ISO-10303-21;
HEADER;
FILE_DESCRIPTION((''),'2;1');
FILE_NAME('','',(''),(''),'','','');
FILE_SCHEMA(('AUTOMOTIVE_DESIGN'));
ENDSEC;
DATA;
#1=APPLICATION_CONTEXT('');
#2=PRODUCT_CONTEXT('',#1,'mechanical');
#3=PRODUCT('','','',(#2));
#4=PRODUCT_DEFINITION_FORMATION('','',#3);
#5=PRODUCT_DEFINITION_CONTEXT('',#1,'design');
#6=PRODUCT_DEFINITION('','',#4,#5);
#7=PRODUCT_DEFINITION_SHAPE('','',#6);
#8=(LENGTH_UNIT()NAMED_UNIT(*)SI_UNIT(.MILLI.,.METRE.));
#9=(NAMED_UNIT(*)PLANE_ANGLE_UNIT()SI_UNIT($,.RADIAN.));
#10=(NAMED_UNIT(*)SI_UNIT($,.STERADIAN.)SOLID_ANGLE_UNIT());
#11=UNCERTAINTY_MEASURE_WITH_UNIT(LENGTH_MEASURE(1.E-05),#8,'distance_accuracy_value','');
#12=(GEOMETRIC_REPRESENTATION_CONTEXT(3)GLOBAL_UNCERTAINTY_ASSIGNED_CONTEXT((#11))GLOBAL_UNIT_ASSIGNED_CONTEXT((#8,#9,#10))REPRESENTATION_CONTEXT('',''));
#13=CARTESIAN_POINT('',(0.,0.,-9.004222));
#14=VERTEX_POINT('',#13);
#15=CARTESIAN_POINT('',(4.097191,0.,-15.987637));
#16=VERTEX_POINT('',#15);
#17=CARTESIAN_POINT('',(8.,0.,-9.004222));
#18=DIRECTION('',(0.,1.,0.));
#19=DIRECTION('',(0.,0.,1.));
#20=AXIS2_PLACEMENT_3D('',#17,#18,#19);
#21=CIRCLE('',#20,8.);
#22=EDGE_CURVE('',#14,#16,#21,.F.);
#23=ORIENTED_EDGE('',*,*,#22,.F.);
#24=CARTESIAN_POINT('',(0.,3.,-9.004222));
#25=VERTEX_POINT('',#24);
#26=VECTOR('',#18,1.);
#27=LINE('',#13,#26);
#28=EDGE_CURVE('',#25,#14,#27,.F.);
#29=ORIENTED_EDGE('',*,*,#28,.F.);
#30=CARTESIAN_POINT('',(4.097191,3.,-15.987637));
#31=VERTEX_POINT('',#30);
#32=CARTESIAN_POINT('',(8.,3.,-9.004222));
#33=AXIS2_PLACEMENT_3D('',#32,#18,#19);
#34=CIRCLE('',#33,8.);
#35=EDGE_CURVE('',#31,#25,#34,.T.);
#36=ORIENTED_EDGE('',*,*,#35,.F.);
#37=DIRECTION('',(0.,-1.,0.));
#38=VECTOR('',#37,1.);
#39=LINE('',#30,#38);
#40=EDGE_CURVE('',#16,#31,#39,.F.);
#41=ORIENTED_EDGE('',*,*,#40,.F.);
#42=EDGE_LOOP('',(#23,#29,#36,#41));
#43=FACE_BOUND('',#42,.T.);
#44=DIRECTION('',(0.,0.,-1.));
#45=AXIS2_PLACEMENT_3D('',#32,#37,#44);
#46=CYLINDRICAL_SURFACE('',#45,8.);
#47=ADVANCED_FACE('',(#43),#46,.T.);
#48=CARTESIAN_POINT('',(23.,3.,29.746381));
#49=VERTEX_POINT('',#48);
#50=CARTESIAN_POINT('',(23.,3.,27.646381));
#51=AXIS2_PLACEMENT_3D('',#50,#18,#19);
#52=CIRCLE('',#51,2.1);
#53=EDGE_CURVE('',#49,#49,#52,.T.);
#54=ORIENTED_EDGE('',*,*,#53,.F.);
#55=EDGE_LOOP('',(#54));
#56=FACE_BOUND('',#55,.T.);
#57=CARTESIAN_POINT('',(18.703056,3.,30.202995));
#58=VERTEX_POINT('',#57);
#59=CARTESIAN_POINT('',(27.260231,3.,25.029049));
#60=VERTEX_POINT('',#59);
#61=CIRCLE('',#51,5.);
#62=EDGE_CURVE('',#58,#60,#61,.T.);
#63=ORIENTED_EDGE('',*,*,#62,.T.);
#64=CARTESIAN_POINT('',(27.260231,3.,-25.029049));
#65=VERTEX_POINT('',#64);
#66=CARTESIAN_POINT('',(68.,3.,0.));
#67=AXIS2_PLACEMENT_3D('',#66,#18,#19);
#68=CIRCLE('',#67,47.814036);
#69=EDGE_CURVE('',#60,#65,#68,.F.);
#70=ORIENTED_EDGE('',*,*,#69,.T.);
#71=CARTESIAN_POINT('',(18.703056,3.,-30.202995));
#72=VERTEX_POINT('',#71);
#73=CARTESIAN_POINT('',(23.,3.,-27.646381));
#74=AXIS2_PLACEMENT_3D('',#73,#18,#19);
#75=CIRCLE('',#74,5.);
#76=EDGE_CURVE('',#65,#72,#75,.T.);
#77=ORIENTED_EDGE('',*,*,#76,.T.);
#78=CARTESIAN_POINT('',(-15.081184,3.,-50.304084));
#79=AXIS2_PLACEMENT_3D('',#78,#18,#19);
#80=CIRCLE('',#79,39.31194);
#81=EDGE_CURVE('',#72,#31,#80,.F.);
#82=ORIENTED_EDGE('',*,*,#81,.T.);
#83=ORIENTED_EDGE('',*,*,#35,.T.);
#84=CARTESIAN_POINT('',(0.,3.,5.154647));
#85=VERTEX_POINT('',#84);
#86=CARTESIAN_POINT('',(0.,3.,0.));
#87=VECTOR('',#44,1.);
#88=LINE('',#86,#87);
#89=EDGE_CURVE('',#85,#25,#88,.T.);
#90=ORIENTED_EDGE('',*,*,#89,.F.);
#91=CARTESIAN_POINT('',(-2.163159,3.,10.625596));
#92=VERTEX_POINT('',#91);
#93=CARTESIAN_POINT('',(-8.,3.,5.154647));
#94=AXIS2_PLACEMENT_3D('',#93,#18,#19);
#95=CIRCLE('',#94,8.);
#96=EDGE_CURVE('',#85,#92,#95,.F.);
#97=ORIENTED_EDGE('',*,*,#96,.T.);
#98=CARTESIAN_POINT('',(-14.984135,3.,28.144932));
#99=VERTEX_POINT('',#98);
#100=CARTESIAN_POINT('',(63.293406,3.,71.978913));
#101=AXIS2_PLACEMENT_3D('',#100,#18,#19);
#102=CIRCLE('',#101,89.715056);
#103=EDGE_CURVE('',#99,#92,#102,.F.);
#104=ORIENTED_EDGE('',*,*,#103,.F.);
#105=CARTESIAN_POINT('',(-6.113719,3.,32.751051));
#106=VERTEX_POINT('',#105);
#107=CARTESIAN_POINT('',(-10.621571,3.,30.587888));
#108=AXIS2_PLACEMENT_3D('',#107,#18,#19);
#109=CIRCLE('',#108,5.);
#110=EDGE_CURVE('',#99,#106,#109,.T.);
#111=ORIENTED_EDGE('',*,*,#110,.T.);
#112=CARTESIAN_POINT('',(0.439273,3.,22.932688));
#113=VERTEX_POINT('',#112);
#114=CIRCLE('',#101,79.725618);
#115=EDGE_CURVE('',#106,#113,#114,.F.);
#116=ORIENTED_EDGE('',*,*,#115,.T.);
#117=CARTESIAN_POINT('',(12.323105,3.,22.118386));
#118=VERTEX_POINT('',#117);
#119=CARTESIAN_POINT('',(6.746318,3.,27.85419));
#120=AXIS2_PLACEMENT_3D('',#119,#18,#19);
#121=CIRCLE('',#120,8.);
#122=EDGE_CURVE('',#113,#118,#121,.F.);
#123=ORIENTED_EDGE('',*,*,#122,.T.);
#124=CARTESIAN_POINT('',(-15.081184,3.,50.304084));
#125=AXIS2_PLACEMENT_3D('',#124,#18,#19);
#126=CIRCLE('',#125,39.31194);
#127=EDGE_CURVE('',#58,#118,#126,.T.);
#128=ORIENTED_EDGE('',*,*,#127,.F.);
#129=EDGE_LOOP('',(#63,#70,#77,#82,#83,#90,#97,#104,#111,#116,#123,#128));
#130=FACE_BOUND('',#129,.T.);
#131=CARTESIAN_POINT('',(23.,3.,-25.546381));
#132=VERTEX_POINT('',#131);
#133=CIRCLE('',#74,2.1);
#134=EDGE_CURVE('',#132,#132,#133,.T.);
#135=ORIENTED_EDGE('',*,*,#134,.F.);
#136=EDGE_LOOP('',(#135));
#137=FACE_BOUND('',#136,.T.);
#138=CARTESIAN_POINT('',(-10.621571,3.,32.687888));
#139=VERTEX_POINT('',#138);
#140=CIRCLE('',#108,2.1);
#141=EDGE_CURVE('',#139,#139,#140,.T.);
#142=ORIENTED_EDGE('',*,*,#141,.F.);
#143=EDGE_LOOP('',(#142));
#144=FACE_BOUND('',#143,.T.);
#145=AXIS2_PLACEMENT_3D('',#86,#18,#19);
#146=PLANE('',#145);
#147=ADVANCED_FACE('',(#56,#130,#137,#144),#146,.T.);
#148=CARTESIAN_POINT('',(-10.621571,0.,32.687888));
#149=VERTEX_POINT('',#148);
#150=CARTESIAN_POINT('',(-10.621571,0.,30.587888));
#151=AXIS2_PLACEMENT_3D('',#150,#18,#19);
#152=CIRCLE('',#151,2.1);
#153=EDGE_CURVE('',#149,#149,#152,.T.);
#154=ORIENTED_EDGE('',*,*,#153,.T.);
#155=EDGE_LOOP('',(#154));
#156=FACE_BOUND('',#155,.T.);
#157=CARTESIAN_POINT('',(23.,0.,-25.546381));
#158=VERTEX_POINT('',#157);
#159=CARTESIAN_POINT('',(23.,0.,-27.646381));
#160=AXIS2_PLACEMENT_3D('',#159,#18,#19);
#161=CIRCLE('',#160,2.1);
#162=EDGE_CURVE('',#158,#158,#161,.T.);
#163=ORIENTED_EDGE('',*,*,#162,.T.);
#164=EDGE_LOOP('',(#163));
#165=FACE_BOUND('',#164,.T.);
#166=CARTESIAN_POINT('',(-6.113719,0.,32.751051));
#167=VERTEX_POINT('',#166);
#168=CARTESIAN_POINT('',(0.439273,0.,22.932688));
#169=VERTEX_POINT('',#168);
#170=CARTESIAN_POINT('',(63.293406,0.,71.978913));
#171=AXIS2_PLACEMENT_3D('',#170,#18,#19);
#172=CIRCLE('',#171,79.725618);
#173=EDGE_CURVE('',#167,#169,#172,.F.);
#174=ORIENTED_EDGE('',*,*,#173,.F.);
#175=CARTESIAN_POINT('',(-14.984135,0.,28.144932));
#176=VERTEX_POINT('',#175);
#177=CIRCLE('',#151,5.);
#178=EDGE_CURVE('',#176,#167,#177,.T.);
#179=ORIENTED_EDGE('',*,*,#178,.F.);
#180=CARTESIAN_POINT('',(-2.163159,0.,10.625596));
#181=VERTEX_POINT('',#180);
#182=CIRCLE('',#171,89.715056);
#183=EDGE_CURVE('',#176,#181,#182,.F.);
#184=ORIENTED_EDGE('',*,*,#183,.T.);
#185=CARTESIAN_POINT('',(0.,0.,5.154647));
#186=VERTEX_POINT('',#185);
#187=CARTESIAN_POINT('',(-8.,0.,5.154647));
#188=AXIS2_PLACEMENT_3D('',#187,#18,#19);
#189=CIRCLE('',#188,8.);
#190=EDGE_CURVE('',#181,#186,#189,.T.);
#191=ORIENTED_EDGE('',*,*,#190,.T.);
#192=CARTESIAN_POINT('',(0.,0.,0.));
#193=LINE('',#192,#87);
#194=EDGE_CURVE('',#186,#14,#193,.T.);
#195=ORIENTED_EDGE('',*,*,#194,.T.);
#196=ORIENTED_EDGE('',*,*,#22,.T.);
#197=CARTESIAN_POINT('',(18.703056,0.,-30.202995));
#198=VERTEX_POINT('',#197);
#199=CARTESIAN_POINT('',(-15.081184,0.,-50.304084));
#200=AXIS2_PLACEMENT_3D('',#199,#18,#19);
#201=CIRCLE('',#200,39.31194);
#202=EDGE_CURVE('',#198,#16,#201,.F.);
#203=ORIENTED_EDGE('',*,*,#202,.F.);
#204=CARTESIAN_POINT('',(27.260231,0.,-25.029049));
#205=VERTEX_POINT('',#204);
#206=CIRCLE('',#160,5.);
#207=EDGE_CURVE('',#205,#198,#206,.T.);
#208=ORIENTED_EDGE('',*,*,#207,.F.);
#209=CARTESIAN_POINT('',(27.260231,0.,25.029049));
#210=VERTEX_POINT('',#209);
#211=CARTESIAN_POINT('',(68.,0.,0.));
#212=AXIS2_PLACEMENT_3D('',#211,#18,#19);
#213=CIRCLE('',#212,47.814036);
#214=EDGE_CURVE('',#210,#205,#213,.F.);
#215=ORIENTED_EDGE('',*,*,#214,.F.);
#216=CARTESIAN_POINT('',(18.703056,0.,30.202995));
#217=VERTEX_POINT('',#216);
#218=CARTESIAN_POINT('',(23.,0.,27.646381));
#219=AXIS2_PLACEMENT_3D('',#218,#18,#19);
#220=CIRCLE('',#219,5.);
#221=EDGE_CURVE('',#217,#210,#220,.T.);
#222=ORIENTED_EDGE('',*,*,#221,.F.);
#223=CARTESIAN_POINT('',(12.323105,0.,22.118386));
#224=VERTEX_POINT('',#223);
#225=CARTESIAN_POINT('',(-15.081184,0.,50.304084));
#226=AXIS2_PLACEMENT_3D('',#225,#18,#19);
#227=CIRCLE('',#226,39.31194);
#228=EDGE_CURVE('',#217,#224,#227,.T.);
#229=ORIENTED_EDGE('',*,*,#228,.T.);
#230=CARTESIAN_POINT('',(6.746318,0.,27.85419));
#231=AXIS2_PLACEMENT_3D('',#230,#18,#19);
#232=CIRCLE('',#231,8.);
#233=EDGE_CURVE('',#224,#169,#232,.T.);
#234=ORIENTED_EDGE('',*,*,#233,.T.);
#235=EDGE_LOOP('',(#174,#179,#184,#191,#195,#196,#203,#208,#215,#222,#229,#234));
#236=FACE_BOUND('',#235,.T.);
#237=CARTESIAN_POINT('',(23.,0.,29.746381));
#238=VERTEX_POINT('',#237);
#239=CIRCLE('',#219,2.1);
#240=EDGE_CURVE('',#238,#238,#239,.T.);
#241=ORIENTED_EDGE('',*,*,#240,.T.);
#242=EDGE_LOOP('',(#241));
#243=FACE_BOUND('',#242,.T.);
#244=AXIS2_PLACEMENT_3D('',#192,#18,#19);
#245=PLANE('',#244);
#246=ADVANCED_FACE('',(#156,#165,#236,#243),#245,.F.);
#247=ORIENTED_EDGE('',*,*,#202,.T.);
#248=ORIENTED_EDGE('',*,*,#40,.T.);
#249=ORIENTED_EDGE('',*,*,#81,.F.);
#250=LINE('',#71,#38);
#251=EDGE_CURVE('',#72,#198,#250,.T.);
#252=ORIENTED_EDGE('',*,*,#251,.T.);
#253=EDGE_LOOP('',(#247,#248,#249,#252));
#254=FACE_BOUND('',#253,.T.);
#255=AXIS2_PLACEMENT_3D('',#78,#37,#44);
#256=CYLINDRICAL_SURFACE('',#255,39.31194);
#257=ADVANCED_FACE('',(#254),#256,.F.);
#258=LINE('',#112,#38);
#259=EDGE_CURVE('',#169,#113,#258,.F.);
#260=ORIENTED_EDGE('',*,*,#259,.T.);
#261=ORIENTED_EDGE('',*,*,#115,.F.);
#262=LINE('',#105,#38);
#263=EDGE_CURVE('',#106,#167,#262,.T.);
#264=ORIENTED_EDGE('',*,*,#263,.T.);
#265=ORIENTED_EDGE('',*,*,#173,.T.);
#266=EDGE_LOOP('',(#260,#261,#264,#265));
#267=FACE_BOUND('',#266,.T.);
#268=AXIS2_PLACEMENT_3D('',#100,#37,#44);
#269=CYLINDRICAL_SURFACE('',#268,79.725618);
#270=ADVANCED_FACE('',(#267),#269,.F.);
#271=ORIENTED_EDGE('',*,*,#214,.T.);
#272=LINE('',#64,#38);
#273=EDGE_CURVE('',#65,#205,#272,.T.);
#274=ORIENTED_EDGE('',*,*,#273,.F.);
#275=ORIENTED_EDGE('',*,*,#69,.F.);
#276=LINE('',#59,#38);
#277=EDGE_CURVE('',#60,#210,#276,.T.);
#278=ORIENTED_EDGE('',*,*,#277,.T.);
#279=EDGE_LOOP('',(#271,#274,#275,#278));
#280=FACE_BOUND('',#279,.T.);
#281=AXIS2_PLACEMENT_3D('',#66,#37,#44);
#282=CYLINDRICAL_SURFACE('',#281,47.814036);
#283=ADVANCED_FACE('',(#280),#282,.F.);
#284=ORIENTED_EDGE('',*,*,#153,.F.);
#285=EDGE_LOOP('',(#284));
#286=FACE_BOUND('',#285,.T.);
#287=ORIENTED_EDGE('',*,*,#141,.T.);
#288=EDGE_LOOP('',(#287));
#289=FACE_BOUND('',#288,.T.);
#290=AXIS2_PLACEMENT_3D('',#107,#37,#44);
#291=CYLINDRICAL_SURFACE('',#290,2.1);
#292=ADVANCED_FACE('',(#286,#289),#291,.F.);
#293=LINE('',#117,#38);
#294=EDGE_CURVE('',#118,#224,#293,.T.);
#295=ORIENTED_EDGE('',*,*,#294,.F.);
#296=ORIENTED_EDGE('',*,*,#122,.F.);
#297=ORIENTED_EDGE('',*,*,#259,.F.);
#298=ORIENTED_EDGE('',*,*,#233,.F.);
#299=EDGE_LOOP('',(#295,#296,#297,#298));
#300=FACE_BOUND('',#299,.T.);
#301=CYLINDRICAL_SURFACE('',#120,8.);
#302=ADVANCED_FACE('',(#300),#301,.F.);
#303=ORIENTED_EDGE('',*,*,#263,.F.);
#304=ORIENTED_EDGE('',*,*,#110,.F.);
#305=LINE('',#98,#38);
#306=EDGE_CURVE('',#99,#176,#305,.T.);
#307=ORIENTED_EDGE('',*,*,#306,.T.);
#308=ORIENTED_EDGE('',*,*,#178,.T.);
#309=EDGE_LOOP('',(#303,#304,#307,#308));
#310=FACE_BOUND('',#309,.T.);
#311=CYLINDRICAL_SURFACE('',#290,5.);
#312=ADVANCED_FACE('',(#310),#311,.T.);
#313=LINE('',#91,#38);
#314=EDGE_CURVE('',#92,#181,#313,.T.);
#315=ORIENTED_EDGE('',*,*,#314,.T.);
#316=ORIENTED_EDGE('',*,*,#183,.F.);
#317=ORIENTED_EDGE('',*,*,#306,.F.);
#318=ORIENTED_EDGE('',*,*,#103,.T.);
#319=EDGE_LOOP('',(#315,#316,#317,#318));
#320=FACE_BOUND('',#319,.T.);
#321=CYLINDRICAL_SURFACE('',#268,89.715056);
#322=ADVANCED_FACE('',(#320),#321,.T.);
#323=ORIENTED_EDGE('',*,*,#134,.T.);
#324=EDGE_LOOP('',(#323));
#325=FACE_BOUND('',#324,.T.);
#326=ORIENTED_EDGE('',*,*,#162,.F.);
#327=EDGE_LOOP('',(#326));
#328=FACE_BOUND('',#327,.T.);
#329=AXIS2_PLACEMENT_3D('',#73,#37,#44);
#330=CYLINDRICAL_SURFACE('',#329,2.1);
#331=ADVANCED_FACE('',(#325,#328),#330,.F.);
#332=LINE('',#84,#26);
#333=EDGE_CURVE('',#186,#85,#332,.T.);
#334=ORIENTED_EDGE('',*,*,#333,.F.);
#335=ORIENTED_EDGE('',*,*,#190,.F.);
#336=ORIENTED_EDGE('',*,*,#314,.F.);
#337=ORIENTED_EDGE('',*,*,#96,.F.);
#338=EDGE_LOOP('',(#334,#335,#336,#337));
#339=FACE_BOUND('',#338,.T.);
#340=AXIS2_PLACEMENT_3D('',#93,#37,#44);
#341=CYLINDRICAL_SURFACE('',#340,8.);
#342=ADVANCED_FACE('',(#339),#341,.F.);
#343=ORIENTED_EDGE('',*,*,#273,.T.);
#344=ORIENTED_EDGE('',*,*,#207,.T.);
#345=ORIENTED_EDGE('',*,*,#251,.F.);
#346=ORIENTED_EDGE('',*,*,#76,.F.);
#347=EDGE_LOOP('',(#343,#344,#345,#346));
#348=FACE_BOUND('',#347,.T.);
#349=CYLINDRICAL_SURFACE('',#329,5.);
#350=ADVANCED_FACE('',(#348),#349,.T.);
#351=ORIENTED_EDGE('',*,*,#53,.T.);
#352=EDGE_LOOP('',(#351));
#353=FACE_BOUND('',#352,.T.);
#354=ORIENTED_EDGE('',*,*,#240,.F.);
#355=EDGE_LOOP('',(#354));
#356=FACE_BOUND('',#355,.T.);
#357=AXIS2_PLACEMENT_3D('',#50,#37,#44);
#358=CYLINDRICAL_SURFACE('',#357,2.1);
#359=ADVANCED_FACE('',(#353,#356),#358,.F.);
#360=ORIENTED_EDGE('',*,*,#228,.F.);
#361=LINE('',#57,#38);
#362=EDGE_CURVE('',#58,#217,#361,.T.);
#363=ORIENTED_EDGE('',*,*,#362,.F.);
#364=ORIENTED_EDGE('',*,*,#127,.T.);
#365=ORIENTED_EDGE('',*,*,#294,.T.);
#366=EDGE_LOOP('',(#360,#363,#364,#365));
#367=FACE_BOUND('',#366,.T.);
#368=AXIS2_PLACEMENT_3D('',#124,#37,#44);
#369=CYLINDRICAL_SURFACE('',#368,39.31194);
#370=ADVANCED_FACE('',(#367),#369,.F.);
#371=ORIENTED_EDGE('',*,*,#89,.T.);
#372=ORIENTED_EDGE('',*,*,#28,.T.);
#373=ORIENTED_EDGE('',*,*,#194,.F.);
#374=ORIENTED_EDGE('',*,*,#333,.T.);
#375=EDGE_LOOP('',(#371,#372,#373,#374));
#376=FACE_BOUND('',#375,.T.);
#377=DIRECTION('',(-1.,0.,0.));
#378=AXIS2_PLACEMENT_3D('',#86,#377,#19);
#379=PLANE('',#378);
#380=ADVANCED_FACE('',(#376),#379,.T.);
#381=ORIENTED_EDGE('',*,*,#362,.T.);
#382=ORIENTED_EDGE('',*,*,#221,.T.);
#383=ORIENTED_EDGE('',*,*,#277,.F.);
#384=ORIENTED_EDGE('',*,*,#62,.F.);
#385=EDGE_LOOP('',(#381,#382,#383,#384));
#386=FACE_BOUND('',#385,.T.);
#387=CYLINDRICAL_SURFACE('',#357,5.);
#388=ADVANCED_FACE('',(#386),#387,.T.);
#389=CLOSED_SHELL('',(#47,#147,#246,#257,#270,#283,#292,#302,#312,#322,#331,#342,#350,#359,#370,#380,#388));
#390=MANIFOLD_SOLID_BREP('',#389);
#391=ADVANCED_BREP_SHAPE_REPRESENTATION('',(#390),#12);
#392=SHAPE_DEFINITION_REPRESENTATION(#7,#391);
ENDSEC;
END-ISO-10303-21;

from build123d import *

# Parameters (mm, degrees)
SKETCH1_R           = 2.1
BOSS_EXTRUDE1_DEPTH = 3
FILLET1_R           = 8


with BuildPart() as part:
    # Sketch1 → Boss-Extrude1 (new body)
    with BuildSketch(Plane(origin=(0, 0, 0), x_dir=(1, 0, 0), z_dir=(0, 1, 0))):
        with BuildLine():
            ThreePointArc((-6.113719472, -32.751050787), (-0.724273586, -24.461432648), (5.649824002, -16.902677739))
            ThreePointArc((5.649824002, -16.902677739), (12.975948477, -22.768180875), (18.703056171, -30.202995218))
            ThreePointArc((18.703056171, -30.202995218), (25.587038372, -31.925076677), (27.260231116, -25.029048724))
            ThreePointArc((27.260231116, -25.029048724), (20.185963894, 0), (27.260231116, 25.029048724))
            ThreePointArc((27.260231116, 25.029048724), (25.587038372, 31.925076677), (18.703056171, 30.202995218))
            ThreePointArc((18.703056171, 30.202995218), (10.659672329, 20.591511651), (0, 14))
            Line((0, 14), (0, -8.396398763))
            ThreePointArc((0, -8.396398763), (-8.177458209, -17.750627647), (-14.984135407, -28.14493216))
            ThreePointArc((-14.984135407, -28.14493216), (-12.92577576, -35.025301553), (-6.113719472, -32.751050787))
        make_face()
        with Locations(Location((-10.621571061, -30.587887812, 0), (0, 0, 270))):
            Circle(SKETCH1_R, mode=Mode.SUBTRACT)
        with Locations(Location((23, -27.646381495, 0), (0, 0, 270))):
            Circle(SKETCH1_R, mode=Mode.SUBTRACT)
        with Locations(Location((23, 27.646381495, 0), (0, 0, 270))):
            Circle(SKETCH1_R, mode=Mode.SUBTRACT)
    extrude(amount=BOSS_EXTRUDE1_DEPTH)

    # Fillet1
    fillet1_edges = [part.edges().sort_by_distance(p)[0] for p in [
        (0, 1.5, -14),
        (5.649824002, 1.5, 16.902677739),
        (0, 1.5, 8.396398763),
    ]]
    fillet(fillet1_edges, radius=FILLET1_R)


solid = part.part
